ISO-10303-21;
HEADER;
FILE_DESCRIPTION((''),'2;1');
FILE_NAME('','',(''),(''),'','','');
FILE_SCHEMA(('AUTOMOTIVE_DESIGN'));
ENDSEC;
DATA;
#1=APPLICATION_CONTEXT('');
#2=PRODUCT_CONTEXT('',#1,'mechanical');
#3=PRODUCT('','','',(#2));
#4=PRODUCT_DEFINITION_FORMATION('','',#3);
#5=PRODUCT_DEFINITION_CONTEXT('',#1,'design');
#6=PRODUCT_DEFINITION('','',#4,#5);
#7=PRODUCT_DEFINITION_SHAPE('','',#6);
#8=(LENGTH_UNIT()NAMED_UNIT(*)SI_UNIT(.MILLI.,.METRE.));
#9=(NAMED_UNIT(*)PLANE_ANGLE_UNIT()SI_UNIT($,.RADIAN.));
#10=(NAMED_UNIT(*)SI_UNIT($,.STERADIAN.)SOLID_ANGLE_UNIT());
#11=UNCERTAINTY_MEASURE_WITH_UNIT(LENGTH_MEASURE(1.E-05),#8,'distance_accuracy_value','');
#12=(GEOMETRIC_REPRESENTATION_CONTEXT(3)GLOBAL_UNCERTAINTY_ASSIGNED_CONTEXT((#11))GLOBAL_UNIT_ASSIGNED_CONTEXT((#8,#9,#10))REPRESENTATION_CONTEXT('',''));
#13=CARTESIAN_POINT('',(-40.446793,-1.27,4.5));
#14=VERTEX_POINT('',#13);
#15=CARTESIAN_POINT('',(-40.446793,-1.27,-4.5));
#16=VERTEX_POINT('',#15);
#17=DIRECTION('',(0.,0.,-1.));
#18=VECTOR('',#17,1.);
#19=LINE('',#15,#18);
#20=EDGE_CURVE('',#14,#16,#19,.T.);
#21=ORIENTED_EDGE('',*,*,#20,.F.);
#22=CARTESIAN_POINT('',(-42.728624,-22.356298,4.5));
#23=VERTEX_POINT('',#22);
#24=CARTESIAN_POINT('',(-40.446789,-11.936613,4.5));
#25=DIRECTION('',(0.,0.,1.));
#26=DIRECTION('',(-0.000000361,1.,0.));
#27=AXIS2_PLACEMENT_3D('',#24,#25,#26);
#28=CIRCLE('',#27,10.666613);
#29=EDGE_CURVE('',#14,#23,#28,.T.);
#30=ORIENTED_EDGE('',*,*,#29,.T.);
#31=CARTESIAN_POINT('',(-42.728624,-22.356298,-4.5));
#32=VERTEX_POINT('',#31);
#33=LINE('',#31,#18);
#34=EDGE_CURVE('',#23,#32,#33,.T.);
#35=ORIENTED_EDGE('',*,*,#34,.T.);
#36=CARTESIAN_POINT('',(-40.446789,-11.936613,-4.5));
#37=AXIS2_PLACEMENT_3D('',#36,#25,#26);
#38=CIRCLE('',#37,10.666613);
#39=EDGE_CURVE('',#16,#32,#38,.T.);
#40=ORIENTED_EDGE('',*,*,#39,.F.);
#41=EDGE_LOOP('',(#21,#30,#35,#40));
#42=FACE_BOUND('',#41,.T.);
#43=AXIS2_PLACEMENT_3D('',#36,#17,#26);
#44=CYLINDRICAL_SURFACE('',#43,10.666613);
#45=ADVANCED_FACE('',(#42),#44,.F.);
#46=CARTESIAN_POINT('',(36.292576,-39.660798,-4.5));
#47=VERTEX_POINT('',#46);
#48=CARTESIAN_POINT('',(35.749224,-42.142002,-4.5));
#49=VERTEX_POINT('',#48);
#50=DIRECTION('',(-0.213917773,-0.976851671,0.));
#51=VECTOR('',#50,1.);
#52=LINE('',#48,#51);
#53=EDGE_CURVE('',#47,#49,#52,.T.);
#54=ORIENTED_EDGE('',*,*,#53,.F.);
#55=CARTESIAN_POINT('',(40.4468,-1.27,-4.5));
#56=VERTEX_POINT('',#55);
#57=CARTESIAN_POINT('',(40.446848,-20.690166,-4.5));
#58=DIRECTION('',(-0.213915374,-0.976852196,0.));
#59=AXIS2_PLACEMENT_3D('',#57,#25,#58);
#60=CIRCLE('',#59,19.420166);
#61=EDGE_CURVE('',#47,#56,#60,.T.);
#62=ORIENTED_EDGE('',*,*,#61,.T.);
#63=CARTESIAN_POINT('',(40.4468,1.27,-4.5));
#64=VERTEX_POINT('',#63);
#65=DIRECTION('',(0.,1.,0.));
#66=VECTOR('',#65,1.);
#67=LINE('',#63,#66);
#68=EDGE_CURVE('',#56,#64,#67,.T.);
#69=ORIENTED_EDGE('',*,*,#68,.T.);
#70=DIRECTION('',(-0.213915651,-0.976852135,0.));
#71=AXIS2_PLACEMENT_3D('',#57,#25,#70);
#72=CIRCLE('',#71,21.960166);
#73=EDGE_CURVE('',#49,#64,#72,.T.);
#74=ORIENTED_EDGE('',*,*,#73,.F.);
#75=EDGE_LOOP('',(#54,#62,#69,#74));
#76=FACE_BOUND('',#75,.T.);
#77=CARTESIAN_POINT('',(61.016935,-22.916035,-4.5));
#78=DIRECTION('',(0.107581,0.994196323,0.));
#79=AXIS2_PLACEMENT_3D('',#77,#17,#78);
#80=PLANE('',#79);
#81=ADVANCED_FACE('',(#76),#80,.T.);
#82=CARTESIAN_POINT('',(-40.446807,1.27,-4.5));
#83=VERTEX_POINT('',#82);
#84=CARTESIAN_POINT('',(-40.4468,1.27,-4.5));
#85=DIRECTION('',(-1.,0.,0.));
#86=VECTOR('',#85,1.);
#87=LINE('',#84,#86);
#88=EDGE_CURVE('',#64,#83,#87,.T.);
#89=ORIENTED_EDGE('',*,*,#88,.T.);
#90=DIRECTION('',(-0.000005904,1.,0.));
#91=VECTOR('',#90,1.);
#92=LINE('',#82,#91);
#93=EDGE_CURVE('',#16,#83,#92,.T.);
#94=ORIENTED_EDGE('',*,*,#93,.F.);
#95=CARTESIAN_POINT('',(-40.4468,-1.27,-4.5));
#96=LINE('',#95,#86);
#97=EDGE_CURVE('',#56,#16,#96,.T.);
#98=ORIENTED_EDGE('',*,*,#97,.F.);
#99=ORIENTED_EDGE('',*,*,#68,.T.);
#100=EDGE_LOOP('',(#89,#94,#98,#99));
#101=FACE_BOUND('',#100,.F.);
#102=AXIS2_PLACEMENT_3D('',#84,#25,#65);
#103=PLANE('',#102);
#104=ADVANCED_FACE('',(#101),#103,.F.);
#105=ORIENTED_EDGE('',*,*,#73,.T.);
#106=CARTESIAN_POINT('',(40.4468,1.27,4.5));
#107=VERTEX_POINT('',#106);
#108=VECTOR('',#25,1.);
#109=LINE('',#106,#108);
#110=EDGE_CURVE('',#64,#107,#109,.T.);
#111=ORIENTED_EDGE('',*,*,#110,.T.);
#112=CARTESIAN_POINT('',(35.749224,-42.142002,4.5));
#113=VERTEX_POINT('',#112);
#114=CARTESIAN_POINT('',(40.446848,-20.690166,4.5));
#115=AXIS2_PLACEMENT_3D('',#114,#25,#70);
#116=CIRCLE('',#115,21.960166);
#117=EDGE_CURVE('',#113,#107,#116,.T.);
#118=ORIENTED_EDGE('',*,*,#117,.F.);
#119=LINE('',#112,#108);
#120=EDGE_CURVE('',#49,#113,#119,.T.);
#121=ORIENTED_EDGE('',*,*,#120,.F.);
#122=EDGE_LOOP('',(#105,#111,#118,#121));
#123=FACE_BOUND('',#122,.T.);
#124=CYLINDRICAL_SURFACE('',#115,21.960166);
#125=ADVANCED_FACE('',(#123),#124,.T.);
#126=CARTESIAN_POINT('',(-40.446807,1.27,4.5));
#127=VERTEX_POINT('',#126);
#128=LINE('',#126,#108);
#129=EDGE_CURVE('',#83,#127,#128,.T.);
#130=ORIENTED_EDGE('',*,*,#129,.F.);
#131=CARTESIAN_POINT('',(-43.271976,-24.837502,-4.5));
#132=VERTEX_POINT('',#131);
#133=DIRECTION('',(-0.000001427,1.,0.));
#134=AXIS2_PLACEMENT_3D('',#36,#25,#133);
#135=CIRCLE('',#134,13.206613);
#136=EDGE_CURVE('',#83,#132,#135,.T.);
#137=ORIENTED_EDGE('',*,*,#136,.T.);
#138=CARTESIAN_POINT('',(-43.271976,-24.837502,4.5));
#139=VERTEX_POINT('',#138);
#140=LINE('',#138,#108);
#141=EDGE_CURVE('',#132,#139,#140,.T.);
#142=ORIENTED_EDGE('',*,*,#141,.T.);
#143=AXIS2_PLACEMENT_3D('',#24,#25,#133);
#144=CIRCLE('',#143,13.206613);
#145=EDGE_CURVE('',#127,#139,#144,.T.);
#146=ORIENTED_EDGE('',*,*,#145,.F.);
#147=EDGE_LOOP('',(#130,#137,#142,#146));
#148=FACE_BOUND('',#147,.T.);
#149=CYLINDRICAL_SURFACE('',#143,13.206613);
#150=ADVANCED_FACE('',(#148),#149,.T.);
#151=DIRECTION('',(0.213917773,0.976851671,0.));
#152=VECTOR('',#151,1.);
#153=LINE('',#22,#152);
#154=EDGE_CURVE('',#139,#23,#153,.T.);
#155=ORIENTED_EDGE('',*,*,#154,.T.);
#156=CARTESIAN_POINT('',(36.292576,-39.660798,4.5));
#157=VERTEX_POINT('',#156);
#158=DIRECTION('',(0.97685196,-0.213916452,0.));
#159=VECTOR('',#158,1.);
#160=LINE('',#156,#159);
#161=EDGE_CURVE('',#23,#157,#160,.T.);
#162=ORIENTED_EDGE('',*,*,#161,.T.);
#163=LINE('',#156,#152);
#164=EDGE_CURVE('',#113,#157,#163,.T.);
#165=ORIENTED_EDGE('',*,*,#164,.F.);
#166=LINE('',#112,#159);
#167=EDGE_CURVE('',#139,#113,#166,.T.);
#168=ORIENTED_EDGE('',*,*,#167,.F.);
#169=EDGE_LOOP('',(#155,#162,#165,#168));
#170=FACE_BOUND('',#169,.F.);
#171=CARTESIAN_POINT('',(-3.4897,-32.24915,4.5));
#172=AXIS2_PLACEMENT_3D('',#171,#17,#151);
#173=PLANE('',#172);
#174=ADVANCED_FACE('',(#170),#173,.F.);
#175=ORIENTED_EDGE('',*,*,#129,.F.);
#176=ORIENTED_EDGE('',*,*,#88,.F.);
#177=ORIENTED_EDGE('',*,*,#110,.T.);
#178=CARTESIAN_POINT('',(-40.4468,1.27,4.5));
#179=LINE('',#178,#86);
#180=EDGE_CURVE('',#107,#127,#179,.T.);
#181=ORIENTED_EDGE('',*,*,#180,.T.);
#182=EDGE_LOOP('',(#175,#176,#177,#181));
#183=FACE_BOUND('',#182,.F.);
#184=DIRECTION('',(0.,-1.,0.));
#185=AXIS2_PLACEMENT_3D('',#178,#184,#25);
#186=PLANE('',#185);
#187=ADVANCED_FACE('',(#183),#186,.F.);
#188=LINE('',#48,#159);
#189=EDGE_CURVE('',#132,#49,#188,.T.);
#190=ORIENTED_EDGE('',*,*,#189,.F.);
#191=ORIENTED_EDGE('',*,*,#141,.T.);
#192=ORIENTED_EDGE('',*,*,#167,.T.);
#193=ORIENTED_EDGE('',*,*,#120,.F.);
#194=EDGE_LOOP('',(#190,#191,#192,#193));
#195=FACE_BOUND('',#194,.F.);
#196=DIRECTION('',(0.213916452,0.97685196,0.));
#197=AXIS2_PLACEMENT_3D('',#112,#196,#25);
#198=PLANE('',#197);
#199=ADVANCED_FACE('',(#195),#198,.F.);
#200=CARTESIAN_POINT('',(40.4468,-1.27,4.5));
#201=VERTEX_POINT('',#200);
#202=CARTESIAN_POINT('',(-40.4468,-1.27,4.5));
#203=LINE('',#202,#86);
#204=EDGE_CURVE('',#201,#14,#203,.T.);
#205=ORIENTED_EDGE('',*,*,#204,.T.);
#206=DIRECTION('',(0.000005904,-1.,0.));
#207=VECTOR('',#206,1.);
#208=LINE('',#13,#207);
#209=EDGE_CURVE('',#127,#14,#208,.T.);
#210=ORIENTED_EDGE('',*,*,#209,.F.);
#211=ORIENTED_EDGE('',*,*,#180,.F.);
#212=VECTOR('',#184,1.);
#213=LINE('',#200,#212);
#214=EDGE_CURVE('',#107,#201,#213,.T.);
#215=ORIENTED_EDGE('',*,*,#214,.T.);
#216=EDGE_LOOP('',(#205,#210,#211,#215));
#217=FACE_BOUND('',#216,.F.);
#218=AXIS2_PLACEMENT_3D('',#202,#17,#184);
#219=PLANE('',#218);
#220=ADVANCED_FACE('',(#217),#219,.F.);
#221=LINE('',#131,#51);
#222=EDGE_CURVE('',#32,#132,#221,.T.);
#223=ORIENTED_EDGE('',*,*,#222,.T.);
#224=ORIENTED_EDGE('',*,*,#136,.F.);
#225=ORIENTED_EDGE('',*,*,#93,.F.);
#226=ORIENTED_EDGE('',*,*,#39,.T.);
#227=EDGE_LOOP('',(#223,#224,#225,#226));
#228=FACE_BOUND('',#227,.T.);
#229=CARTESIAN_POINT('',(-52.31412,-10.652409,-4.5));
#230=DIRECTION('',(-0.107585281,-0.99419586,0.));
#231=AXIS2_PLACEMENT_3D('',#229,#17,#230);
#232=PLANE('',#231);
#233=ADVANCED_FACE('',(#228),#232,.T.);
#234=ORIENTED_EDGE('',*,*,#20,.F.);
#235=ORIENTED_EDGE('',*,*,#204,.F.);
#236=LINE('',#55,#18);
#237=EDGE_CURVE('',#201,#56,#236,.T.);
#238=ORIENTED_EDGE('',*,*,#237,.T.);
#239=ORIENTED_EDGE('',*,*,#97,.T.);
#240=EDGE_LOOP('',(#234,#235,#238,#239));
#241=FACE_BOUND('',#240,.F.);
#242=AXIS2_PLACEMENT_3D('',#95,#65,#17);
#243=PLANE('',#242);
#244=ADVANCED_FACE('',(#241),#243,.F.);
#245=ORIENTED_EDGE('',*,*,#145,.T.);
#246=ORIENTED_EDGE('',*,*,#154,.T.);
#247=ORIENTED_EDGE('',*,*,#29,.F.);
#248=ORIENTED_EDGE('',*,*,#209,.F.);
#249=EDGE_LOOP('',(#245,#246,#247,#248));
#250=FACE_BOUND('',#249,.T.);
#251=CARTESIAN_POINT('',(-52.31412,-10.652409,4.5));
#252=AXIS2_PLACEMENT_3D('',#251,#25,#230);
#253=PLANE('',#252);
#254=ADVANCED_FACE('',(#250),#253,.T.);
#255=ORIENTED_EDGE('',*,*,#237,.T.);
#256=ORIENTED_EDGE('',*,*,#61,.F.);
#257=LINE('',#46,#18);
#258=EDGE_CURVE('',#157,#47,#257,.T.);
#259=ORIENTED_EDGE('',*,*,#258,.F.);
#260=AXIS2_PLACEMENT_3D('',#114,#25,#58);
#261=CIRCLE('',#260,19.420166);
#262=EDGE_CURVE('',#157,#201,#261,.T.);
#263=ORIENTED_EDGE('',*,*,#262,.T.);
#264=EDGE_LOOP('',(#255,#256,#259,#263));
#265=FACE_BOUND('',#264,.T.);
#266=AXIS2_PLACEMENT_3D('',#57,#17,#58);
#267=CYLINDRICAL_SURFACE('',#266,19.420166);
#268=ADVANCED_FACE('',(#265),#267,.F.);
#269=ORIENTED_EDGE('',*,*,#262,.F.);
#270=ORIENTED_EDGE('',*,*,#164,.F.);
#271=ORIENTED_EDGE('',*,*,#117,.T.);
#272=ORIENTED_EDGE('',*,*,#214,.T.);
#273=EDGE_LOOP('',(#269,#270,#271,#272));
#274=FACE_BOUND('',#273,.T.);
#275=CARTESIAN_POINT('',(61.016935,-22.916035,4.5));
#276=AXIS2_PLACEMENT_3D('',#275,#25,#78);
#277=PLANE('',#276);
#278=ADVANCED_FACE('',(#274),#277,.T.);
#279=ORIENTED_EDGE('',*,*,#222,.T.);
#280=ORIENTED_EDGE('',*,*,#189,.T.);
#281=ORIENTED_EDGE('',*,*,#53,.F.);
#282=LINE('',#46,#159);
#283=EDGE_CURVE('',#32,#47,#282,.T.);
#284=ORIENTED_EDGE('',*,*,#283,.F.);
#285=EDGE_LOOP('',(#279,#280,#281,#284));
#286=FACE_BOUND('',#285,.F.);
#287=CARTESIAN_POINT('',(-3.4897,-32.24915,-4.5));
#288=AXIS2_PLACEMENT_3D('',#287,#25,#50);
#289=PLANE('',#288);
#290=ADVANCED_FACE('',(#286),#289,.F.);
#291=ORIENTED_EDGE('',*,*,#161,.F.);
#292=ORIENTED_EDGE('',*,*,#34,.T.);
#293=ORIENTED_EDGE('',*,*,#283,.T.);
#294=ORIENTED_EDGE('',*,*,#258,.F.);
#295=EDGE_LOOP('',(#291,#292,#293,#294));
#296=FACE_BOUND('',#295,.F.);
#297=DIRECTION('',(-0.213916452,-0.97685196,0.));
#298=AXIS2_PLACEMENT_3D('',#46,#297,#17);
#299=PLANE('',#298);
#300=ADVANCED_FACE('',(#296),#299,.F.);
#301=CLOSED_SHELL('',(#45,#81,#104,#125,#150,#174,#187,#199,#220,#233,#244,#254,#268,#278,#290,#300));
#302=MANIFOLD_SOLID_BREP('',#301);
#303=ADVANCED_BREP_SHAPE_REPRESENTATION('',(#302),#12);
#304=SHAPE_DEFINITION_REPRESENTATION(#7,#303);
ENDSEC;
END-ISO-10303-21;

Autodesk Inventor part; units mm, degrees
ref_plane "YZ Plane" through (0, 0, 0) normal (1, 0, 0) x (0, 1, 0)
ref_plane "XZ Plane" through (0, 0, 0) normal (0, 1, 0) x (-1, 0, 0)
ref_plane "XY Plane" through (0, 0, 0) normal (0, 0, 1) x (1, 0, 0)
sketch "Sketch1" plane through (0, 0, 0) normal (1, 0, 0) x (0, 1, 0)
  line L0 (1.27, -4.5) -> (-1.27, -4.5)
  line L1 (-1.27, -4.5) -> (-1.27, 4.5)
  line L2 (-1.27, 4.5) -> (1.27, 4.5)
  line L3 (1.27, 4.5) -> (1.27, -4.5)
  line L4 (1.27, -4.5) -> (-1.27, 4.5) construction
  line L5 (-1.27, -4.5) -> (1.27, 4.5) construction
  point P0 (0, 0)
  point P1 (0, 0)
  dimension "d0" = 9
  dimension "d1" = 2.54
sketch "Sketch2" plane through (0, 0, 0) normal (0, 0, 1) x (1, 0, 0)
  arc A0 (-40.4468, 0) -> (-43.0003, -23.5969) centre (-40.4468, -11.9366) ccw
  arc A1 (36.0209, -40.9014) -> (40.4468, 0) centre (40.4468, -20.6901) ccw
  line L0 (-40.4468, 0) -> (40.4468, 0)
  line L1 (36.0209, -40.9014) -> (-43.0003, -23.5969)
  point P0 (0, 0)
  point P1 (0, 0)
  dimension "d2" = 81.3659
  dimension "d3" = 11.9366
  dimension "d6" = 20.6901
sweep "Sweep1" add profiles "Sketch1" path "Sketch2"
properties part number "53t_Belt" material "Rubber"
